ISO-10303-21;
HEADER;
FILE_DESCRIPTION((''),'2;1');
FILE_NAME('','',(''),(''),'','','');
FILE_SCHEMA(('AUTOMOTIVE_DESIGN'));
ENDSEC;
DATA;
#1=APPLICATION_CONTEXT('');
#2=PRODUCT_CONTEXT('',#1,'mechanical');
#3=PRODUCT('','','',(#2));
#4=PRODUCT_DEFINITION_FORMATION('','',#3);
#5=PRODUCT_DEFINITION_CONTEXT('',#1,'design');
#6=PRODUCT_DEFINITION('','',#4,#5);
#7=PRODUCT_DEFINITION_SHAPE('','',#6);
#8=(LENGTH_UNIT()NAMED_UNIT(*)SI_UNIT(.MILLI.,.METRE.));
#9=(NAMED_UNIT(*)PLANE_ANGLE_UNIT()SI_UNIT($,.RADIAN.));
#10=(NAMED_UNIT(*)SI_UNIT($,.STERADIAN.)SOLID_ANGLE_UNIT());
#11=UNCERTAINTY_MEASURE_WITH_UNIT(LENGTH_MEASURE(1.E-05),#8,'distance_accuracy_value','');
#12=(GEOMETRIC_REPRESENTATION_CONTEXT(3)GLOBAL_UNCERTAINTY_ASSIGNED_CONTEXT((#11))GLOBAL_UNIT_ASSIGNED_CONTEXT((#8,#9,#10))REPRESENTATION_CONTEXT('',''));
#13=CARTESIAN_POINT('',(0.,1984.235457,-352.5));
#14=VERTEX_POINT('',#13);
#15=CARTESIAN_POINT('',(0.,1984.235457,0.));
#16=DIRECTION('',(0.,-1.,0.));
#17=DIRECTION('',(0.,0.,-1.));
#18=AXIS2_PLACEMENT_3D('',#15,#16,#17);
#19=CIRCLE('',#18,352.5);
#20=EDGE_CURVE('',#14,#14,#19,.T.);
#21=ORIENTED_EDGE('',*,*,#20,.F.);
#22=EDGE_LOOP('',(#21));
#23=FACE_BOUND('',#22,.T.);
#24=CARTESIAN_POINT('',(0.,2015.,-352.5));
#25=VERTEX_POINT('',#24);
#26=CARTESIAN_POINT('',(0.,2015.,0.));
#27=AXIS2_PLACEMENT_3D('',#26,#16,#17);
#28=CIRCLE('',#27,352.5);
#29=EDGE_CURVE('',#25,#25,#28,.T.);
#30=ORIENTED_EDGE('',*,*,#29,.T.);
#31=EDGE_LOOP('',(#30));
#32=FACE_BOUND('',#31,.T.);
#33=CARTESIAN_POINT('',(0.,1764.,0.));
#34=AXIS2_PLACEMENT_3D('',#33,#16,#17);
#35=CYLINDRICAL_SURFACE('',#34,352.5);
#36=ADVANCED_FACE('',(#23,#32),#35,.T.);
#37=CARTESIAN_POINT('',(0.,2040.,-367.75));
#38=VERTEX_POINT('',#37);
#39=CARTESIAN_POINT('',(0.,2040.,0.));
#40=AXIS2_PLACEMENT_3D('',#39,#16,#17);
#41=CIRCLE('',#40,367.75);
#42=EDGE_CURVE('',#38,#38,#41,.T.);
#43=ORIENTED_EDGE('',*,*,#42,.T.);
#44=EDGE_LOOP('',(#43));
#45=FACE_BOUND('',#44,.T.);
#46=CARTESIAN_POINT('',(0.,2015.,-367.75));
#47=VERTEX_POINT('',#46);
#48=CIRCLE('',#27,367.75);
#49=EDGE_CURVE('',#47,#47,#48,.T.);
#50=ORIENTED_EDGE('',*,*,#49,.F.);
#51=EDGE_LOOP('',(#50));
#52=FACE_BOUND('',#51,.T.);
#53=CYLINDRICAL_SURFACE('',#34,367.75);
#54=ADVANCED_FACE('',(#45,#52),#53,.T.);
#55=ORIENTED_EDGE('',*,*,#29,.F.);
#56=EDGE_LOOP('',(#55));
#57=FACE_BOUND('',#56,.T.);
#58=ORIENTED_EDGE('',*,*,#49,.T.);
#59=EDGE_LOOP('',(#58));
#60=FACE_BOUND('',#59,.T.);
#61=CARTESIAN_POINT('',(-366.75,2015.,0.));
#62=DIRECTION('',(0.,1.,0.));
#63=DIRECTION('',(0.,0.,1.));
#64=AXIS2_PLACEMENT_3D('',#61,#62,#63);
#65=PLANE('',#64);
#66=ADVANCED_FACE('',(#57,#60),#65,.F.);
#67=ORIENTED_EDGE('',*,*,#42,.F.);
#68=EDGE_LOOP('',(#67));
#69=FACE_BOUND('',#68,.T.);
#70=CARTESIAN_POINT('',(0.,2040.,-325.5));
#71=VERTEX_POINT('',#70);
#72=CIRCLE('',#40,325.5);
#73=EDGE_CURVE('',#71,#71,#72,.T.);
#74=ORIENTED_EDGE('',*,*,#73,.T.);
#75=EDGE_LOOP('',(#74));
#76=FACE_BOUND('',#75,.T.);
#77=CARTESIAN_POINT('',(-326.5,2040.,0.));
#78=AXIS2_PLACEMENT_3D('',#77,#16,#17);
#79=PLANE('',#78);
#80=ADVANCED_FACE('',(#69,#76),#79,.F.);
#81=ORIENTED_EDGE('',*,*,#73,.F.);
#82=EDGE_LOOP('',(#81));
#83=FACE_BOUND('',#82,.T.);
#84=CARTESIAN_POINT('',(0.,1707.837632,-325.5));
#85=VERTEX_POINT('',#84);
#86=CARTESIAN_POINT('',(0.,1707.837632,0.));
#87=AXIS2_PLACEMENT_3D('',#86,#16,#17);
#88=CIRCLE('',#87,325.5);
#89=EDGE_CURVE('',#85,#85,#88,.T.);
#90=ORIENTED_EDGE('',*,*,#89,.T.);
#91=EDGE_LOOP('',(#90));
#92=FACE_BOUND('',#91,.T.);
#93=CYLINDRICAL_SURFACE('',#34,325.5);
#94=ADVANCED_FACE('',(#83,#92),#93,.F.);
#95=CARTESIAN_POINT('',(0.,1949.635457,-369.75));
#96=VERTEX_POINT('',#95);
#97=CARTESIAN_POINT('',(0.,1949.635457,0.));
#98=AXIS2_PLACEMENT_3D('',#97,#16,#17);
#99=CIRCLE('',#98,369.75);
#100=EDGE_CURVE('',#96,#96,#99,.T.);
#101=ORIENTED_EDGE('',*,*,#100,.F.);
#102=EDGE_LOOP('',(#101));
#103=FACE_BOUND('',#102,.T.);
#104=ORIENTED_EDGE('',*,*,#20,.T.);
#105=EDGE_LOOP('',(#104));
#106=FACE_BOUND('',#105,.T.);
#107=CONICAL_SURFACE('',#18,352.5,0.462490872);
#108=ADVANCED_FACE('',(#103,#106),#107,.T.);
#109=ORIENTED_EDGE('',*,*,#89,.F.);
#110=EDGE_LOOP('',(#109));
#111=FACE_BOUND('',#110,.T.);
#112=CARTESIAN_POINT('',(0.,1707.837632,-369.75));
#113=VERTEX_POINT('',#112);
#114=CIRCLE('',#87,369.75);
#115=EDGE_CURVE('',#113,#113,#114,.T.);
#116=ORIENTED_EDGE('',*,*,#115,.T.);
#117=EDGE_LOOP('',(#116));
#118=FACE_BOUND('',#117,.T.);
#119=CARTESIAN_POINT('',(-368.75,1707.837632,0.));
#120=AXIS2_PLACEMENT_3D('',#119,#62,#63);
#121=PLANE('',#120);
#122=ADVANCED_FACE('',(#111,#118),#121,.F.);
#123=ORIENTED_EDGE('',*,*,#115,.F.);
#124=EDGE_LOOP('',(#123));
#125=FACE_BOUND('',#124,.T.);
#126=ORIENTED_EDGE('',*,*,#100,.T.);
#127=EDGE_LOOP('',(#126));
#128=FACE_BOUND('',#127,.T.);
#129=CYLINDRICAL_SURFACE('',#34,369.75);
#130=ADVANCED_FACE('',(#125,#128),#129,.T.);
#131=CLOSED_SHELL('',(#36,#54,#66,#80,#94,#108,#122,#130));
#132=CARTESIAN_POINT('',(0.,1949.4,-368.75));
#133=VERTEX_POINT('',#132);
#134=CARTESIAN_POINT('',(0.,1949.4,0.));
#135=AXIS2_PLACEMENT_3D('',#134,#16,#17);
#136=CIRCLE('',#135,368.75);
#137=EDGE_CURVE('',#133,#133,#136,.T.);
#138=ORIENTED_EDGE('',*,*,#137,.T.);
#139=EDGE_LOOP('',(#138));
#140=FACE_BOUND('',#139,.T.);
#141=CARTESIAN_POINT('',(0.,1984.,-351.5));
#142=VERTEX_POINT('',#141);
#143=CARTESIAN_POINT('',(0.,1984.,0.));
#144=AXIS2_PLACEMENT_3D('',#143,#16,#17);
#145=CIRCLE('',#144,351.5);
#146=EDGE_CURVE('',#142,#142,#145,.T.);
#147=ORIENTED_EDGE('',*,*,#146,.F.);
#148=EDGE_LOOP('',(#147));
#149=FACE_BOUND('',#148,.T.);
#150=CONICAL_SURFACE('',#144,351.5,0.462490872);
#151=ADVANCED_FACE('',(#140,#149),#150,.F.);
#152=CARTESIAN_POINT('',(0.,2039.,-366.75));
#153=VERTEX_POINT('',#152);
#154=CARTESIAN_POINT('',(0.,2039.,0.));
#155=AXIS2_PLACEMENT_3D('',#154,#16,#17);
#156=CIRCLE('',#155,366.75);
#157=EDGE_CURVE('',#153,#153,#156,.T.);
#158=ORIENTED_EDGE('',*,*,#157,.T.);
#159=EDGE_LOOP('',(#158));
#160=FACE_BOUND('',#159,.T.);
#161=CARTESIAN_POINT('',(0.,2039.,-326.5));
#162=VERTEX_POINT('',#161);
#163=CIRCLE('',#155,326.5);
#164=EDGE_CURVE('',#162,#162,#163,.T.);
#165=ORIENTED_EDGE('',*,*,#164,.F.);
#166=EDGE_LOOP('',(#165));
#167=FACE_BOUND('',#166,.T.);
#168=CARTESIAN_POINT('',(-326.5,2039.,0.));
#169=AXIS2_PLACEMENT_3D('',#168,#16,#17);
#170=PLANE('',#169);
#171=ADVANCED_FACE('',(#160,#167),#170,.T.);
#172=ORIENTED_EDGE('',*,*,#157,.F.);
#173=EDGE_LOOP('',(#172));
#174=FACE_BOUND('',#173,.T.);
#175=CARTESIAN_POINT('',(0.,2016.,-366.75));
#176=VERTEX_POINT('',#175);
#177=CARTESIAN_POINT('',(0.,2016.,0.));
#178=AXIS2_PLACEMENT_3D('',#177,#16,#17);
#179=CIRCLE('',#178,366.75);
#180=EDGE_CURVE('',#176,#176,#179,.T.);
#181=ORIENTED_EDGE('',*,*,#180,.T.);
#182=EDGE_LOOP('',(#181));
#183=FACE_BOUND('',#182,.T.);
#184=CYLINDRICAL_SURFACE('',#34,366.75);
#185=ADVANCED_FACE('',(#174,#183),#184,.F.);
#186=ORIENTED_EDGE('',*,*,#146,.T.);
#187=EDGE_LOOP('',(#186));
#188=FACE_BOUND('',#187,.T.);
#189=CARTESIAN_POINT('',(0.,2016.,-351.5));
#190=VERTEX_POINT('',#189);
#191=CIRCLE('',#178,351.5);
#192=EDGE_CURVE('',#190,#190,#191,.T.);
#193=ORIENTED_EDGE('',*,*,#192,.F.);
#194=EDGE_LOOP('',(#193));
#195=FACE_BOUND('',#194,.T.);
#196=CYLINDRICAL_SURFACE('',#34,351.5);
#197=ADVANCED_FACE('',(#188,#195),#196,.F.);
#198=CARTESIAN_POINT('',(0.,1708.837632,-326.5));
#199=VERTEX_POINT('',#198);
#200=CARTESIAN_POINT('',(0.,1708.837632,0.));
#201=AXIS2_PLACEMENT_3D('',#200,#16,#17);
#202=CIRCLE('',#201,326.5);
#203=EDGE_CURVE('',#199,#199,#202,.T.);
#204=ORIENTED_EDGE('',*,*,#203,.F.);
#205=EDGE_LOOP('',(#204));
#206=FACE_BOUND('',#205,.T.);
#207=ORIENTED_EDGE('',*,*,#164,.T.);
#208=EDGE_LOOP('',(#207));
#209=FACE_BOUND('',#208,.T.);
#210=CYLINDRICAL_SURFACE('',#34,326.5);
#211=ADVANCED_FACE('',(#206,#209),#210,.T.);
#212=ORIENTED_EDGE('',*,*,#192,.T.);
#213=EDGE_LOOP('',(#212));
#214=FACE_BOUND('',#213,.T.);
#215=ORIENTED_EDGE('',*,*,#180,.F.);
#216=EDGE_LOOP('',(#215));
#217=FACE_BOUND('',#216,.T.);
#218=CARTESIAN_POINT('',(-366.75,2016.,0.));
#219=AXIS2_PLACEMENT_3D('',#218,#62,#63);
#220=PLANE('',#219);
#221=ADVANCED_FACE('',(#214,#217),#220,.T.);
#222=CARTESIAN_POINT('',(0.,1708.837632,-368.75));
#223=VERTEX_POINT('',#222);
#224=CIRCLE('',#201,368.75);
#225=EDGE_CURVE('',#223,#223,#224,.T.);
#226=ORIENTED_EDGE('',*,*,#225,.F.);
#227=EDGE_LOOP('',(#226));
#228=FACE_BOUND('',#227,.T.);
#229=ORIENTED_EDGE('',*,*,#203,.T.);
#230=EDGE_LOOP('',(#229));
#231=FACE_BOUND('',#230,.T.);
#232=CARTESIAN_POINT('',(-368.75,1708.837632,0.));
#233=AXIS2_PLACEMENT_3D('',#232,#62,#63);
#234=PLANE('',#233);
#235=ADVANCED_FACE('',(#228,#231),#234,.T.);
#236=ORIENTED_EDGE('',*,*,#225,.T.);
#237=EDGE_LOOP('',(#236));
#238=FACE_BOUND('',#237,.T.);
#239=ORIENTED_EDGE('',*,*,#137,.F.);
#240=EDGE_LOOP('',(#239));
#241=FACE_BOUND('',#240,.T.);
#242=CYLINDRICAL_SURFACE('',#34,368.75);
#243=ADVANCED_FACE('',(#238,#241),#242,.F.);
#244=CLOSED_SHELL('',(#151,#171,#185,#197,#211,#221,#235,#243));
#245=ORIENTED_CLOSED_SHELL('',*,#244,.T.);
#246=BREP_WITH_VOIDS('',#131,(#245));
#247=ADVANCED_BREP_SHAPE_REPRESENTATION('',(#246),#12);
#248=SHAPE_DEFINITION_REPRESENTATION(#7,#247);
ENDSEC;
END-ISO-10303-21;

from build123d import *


with BuildPart() as part:
    # Sketch2 one side → Revolve-Thin1 (revolve)
    with BuildSketch(Plane.XY, mode=Mode.PRIVATE) as revolve_thin1_sk:
        Polygon((-325.5, 1707.83763204), (-325.5, 2040), (-367.75, 2040), (-367.75, 2015), (-352.5, 2015), (-352.5, 1984.235457461), (-369.75, 1949.635457461), (-369.75, 1707.83763204), align=None)
        Polygon((-366.75, 2039), (-326.5, 2039), (-326.5, 1708.83763204), (-368.75, 1708.83763204), (-368.75, 1949.4), (-351.5, 1984), (-351.5, 2016), (-366.75, 2016), align=None, mode=Mode.SUBTRACT)
    revolve(revolve_thin1_sk.sketch.rotate(Axis((0, 1764, 0), (0, 1, 0)), 270), axis=Axis((0, 1764, 0), (0, 1, 0)))  # turned: the seam where the file's is


solid = part.part
